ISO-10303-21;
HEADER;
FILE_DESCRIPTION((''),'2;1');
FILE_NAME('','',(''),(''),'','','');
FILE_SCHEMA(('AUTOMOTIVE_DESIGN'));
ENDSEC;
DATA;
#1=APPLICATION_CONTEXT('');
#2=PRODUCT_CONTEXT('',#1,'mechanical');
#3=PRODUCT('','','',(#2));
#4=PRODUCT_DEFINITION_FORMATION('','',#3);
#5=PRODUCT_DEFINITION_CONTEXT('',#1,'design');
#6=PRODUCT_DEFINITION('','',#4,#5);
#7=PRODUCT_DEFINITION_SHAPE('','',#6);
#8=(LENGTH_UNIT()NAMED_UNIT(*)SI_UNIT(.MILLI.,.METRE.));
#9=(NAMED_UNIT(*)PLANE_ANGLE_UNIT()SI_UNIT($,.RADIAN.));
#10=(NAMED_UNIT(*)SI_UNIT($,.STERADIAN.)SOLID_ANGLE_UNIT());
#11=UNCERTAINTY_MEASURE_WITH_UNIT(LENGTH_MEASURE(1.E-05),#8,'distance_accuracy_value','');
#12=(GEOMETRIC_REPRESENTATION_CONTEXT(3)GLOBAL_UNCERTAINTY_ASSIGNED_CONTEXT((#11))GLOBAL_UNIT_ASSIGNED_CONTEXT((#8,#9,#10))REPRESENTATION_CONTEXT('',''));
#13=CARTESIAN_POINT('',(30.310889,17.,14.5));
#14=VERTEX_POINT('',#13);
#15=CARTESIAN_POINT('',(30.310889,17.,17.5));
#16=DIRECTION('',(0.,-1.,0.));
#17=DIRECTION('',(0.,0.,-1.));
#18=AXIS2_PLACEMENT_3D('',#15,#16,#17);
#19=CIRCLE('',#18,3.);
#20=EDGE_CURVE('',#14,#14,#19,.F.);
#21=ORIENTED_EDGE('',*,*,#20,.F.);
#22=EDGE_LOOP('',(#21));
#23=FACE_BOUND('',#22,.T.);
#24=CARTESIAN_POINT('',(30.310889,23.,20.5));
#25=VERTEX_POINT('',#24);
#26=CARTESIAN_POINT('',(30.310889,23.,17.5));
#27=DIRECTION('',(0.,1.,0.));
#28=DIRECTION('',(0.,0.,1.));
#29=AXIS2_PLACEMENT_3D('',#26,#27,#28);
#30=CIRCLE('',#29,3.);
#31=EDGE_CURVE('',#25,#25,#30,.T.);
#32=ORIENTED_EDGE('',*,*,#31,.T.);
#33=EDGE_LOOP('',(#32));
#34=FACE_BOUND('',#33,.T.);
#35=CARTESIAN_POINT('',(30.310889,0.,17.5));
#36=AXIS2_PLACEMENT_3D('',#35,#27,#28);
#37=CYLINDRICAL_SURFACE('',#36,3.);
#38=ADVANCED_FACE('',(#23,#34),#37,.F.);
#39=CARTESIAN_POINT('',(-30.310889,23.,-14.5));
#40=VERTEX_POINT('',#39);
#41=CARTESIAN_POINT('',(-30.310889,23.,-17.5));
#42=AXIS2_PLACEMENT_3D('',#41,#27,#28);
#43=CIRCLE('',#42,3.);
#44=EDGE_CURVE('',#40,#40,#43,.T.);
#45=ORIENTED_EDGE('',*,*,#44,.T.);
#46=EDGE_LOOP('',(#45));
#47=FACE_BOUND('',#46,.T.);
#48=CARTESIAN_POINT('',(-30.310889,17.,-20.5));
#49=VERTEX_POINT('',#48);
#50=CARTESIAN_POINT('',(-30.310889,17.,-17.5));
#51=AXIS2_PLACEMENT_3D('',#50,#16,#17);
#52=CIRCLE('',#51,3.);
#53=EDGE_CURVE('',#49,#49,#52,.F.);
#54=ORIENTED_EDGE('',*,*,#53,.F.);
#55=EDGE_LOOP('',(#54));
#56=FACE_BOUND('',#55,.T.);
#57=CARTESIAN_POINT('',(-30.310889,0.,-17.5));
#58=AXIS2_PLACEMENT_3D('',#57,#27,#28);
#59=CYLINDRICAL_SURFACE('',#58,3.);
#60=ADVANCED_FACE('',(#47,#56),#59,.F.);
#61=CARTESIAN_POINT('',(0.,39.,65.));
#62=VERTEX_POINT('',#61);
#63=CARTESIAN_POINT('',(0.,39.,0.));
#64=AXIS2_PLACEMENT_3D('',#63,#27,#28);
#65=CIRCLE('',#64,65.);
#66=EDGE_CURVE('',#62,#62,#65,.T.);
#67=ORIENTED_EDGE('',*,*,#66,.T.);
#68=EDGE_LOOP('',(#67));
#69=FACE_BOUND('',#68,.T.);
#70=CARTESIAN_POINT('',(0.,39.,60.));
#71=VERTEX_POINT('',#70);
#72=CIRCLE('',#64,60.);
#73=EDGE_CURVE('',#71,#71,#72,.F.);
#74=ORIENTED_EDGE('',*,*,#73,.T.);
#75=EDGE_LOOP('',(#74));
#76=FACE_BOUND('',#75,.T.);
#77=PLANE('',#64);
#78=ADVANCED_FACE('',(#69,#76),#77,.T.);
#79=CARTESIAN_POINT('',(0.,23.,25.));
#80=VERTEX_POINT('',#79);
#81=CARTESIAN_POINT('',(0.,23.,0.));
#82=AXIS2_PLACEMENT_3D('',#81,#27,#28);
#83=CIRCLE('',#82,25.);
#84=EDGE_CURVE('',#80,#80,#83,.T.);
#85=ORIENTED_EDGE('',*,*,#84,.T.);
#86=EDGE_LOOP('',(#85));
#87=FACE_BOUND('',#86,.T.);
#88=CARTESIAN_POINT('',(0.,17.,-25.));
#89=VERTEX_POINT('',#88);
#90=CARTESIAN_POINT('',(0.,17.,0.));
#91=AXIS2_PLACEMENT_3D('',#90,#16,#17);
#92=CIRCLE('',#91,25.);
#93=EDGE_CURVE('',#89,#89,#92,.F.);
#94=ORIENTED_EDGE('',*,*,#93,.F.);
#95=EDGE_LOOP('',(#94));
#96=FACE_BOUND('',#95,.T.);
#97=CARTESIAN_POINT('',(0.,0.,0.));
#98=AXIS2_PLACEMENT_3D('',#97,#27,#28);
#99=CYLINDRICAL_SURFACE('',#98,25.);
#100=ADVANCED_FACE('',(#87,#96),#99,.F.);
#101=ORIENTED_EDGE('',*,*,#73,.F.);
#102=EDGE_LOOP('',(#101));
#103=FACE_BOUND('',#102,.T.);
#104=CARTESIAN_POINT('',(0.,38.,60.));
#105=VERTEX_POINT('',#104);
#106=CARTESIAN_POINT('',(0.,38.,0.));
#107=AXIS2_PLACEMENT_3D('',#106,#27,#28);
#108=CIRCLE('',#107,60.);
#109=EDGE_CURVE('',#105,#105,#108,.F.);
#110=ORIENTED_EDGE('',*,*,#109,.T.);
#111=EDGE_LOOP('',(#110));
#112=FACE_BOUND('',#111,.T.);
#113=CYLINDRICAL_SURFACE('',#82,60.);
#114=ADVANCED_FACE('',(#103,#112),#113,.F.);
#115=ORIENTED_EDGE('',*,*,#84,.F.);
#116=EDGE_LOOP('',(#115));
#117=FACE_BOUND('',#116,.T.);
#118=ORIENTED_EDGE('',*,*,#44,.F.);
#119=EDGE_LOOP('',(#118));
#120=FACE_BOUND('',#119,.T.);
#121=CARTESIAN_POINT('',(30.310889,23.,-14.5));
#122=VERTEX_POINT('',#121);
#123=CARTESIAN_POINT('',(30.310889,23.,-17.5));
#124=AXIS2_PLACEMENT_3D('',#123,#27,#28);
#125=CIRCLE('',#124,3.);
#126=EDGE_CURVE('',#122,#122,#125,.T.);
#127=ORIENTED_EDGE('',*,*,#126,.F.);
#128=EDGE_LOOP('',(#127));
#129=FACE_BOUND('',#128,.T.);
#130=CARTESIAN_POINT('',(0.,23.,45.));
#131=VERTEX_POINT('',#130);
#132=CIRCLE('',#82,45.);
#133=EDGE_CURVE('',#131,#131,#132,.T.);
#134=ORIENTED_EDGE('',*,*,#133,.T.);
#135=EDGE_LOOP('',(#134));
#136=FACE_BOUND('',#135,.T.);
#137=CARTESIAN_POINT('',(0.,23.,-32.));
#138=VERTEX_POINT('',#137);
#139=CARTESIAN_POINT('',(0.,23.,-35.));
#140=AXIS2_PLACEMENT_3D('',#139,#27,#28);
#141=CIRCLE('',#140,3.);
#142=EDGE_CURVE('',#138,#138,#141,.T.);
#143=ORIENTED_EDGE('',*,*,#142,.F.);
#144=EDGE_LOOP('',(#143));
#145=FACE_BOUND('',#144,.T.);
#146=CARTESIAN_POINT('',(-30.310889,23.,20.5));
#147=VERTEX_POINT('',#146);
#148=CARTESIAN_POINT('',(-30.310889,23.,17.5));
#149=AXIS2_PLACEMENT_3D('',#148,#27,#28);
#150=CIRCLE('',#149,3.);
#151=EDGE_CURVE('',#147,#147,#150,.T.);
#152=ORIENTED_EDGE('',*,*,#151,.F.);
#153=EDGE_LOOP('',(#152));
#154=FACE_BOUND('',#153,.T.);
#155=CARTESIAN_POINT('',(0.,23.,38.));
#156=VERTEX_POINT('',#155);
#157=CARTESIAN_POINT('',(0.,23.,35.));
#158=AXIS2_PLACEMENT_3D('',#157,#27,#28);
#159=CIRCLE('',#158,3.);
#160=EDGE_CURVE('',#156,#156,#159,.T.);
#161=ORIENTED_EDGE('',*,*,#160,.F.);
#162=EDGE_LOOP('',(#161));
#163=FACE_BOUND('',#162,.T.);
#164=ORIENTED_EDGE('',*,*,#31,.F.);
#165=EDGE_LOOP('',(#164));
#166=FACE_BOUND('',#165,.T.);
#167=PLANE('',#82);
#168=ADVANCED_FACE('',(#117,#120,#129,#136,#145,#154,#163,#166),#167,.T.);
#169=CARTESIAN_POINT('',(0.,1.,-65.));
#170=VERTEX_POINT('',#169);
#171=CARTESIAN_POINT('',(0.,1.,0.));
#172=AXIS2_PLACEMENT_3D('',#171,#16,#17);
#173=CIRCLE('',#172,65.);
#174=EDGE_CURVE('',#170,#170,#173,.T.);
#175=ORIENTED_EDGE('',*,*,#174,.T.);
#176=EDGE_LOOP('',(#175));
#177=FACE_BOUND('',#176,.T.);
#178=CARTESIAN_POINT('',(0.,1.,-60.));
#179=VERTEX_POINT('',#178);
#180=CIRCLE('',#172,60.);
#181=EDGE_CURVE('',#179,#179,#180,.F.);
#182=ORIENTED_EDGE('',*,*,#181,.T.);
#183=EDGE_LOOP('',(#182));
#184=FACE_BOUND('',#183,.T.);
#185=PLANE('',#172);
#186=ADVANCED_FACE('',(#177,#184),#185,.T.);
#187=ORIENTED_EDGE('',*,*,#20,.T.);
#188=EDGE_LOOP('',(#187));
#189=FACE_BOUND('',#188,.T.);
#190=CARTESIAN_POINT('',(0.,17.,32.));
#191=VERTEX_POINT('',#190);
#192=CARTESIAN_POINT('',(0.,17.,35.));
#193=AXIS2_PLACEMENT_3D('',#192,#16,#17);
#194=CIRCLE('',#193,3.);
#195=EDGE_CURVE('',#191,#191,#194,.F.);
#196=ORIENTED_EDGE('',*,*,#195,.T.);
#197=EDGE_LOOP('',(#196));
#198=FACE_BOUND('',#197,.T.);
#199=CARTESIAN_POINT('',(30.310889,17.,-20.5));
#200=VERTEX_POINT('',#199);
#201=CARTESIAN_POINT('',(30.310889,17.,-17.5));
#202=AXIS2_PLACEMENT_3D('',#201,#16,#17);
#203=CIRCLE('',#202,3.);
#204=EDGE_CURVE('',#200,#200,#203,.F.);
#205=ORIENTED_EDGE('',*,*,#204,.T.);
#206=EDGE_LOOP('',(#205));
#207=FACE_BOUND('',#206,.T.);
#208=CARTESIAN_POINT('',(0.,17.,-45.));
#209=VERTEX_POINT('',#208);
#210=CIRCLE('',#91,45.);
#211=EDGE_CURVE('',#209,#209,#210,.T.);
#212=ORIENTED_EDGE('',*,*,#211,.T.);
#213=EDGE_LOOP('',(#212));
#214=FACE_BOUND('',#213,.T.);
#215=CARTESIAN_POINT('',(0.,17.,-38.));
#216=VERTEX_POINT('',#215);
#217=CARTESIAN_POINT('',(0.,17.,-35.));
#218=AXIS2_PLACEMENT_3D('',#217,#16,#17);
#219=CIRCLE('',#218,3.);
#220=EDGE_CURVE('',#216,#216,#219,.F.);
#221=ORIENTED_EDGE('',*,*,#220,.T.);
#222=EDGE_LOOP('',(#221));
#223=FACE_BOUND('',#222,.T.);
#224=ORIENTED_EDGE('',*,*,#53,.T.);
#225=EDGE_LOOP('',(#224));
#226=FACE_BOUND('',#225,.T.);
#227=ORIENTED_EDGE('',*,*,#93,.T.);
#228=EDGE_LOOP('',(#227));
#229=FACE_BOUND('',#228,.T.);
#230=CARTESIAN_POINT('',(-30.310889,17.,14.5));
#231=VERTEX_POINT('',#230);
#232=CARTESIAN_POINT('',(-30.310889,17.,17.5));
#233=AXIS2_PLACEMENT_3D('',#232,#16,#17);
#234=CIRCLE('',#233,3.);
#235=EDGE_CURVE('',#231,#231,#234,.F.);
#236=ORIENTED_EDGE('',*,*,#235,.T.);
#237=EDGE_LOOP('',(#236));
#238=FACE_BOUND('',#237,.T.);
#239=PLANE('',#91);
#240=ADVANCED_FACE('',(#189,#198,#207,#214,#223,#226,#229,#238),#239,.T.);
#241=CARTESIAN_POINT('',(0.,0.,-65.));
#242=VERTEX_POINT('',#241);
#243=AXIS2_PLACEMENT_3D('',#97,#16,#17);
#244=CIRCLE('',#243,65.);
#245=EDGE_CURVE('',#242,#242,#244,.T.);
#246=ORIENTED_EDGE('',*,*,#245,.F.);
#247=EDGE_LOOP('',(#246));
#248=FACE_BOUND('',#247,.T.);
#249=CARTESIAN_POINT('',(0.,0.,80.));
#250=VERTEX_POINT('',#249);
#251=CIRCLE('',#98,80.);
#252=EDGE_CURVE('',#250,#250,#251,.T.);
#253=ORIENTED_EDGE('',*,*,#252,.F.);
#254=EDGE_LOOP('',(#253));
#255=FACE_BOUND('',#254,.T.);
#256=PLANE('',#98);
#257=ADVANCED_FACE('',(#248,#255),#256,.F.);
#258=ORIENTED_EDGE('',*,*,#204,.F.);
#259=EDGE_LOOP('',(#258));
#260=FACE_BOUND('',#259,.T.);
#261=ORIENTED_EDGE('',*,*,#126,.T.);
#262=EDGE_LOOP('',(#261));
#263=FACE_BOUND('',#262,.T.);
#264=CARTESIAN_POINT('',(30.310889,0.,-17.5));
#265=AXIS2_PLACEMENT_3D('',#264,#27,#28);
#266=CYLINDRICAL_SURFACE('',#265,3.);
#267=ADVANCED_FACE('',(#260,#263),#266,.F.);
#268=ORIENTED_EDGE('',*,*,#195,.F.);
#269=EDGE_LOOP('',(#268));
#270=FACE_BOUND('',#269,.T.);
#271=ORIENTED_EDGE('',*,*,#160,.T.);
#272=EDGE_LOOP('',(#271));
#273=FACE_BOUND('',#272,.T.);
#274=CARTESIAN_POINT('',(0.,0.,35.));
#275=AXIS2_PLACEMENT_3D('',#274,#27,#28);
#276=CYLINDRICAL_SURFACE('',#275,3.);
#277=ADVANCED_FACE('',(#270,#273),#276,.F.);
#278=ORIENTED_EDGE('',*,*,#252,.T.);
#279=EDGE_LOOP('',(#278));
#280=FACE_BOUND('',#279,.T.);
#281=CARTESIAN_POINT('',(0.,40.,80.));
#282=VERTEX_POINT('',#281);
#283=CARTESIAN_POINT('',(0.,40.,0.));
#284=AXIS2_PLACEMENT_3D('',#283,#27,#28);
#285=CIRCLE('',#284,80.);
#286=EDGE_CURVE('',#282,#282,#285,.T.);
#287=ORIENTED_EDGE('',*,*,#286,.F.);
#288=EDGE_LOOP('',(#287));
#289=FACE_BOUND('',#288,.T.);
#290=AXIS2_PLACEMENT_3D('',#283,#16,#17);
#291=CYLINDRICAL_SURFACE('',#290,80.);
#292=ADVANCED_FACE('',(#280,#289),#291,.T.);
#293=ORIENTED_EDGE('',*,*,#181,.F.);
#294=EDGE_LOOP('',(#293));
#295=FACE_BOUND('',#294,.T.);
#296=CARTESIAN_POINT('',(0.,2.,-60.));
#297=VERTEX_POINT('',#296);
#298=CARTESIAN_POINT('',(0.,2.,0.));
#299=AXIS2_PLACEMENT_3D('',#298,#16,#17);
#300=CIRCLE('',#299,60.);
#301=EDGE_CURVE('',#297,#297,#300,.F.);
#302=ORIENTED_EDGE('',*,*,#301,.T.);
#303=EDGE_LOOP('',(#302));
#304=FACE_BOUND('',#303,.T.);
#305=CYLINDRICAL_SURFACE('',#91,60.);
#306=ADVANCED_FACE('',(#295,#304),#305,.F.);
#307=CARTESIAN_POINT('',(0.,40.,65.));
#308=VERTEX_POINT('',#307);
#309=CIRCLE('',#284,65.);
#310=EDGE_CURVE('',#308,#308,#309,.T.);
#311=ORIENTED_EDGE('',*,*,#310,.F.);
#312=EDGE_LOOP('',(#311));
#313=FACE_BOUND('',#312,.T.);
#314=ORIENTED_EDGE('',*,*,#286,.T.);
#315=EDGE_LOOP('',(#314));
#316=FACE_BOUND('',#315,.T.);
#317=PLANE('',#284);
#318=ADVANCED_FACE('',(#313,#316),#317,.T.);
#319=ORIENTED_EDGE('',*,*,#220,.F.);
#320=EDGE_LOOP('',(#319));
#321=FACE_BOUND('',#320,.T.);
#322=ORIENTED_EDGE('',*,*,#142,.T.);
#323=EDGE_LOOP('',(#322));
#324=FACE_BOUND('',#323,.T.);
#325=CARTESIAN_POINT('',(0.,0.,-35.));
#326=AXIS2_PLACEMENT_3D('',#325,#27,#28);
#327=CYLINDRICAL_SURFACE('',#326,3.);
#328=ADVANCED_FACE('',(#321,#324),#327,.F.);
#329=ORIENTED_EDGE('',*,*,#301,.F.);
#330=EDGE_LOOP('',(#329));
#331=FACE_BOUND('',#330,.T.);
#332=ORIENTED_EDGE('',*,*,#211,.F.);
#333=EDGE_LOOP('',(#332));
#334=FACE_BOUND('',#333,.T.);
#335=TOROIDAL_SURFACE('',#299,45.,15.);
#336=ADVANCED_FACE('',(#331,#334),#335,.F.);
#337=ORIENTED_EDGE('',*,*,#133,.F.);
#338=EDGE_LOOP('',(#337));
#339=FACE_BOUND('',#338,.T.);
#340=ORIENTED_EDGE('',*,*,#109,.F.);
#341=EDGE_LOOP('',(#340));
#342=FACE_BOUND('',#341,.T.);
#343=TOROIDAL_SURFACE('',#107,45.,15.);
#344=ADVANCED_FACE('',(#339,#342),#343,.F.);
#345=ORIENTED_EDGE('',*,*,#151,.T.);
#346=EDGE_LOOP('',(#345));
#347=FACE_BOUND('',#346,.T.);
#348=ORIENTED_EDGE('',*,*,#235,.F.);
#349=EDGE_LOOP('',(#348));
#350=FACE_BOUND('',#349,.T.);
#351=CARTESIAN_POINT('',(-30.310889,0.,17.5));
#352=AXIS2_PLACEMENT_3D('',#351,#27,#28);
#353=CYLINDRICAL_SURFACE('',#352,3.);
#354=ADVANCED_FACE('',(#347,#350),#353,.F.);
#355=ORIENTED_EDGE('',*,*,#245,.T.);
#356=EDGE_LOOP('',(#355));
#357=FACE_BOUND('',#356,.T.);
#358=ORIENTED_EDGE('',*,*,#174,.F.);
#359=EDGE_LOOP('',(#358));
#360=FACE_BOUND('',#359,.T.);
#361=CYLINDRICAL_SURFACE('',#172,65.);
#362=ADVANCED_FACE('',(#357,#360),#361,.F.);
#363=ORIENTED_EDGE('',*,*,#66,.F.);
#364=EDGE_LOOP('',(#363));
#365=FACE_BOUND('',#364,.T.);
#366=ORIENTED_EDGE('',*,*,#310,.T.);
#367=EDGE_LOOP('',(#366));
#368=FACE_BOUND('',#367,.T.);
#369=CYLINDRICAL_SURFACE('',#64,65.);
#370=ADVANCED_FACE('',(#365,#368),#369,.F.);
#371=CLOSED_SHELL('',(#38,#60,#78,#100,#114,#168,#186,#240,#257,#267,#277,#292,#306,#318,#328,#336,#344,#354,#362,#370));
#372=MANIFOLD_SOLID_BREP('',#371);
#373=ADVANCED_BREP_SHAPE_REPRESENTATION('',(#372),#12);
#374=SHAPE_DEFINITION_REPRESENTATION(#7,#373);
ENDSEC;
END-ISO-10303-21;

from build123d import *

# Parameters (mm, degrees)
SKETCH1_R           = 80
BOSS_EXTRUDE1_DEPTH = 40
SKETCH2_R           = 60
CUT_EXTRUDE1_DEPTH  = 17
SKETCH3_R           = 25
CUT_EXTRUDE2_DEPTH  = 24
SKETCH4_R           = 3
CUT_EXTRUDE3_DEPTH  = 24
SKETCH6_R           = 60
CUT_EXTRUDE4_DEPTH  = 17
SKETCH7_R           = 65
CUT_EXTRUDE5_DEPTH  = 1
SKETCH8_R           = 65
CUT_EXTRUDE6_DEPTH  = 1
FILLET1_R           = 15
FILLET2_R           = 15


with BuildPart() as part:
    # Sketch1 → Boss-Extrude1 (new body)
    with BuildSketch(Plane(origin=(0, 0, 0), x_dir=(1, 0, 0), z_dir=(0, 1, 0))):
        Circle(SKETCH1_R)
    extrude(amount=BOSS_EXTRUDE1_DEPTH)

    # Sketch2 → Cut-Extrude1 (cut)
    with BuildSketch(Plane(origin=(0, 40, 0), x_dir=(1, 0, 0), z_dir=(0, 1, 0))):
        Circle(SKETCH2_R)
    extrude(amount=-CUT_EXTRUDE1_DEPTH, mode=Mode.SUBTRACT)

    # Sketch3 → Cut-Extrude2 (cut, through all)
    with BuildSketch(Plane(origin=(0, 23, 0), x_dir=(1, 0, 0), z_dir=(0, 1, 0))):
        Circle(SKETCH3_R)
    extrude(amount=-CUT_EXTRUDE2_DEPTH, mode=Mode.SUBTRACT)

    # Sketch4 → Cut-Extrude3 (cut, through all)
    with BuildSketch(Plane(origin=(0, 23, 0), x_dir=(1, 0, 0), z_dir=(0, 1, 0))):
        with Locations((0, 35)):
            Circle(SKETCH4_R)
        with Locations((30.310889132, 17.5)):
            Circle(SKETCH4_R)
        with Locations((30.310889132, -17.5)):
            Circle(SKETCH4_R)
        with Locations((0, -35)):
            Circle(SKETCH4_R)
        with Locations((-30.310889132, -17.5)):
            Circle(SKETCH4_R)
        with Locations((-30.310889132, 17.5)):
            Circle(SKETCH4_R)
    extrude(amount=-CUT_EXTRUDE3_DEPTH, mode=Mode.SUBTRACT)

    # Sketch6 → Cut-Extrude4 (cut)
    with BuildSketch(Plane.XZ):
        Circle(SKETCH6_R)
    extrude(amount=-CUT_EXTRUDE4_DEPTH, mode=Mode.SUBTRACT)

    # Sketch7 → Cut-Extrude5 (cut)
    with BuildSketch(Plane.XZ):
        Circle(SKETCH7_R)
    extrude(amount=-CUT_EXTRUDE5_DEPTH, mode=Mode.SUBTRACT)

    # Sketch8 → Cut-Extrude6 (cut)
    with BuildSketch(Plane(origin=(0, 40, 0), x_dir=(1, 0, 0), z_dir=(0, 1, 0))):
        Circle(SKETCH8_R)
    extrude(amount=-CUT_EXTRUDE6_DEPTH, mode=Mode.SUBTRACT)

    # Fillet1
    fillet1_edges = [part.edges().sort_by_distance(p)[0] for p in [
        (-60, 23, 0),
    ]]
    fillet(fillet1_edges, radius=FILLET1_R)

    # Fillet2
    fillet2_edges = [part.edges().sort_by_distance(p)[0] for p in [
        (-60, 17, 0),
    ]]
    fillet(fillet2_edges, radius=FILLET2_R)


solid = part.part
